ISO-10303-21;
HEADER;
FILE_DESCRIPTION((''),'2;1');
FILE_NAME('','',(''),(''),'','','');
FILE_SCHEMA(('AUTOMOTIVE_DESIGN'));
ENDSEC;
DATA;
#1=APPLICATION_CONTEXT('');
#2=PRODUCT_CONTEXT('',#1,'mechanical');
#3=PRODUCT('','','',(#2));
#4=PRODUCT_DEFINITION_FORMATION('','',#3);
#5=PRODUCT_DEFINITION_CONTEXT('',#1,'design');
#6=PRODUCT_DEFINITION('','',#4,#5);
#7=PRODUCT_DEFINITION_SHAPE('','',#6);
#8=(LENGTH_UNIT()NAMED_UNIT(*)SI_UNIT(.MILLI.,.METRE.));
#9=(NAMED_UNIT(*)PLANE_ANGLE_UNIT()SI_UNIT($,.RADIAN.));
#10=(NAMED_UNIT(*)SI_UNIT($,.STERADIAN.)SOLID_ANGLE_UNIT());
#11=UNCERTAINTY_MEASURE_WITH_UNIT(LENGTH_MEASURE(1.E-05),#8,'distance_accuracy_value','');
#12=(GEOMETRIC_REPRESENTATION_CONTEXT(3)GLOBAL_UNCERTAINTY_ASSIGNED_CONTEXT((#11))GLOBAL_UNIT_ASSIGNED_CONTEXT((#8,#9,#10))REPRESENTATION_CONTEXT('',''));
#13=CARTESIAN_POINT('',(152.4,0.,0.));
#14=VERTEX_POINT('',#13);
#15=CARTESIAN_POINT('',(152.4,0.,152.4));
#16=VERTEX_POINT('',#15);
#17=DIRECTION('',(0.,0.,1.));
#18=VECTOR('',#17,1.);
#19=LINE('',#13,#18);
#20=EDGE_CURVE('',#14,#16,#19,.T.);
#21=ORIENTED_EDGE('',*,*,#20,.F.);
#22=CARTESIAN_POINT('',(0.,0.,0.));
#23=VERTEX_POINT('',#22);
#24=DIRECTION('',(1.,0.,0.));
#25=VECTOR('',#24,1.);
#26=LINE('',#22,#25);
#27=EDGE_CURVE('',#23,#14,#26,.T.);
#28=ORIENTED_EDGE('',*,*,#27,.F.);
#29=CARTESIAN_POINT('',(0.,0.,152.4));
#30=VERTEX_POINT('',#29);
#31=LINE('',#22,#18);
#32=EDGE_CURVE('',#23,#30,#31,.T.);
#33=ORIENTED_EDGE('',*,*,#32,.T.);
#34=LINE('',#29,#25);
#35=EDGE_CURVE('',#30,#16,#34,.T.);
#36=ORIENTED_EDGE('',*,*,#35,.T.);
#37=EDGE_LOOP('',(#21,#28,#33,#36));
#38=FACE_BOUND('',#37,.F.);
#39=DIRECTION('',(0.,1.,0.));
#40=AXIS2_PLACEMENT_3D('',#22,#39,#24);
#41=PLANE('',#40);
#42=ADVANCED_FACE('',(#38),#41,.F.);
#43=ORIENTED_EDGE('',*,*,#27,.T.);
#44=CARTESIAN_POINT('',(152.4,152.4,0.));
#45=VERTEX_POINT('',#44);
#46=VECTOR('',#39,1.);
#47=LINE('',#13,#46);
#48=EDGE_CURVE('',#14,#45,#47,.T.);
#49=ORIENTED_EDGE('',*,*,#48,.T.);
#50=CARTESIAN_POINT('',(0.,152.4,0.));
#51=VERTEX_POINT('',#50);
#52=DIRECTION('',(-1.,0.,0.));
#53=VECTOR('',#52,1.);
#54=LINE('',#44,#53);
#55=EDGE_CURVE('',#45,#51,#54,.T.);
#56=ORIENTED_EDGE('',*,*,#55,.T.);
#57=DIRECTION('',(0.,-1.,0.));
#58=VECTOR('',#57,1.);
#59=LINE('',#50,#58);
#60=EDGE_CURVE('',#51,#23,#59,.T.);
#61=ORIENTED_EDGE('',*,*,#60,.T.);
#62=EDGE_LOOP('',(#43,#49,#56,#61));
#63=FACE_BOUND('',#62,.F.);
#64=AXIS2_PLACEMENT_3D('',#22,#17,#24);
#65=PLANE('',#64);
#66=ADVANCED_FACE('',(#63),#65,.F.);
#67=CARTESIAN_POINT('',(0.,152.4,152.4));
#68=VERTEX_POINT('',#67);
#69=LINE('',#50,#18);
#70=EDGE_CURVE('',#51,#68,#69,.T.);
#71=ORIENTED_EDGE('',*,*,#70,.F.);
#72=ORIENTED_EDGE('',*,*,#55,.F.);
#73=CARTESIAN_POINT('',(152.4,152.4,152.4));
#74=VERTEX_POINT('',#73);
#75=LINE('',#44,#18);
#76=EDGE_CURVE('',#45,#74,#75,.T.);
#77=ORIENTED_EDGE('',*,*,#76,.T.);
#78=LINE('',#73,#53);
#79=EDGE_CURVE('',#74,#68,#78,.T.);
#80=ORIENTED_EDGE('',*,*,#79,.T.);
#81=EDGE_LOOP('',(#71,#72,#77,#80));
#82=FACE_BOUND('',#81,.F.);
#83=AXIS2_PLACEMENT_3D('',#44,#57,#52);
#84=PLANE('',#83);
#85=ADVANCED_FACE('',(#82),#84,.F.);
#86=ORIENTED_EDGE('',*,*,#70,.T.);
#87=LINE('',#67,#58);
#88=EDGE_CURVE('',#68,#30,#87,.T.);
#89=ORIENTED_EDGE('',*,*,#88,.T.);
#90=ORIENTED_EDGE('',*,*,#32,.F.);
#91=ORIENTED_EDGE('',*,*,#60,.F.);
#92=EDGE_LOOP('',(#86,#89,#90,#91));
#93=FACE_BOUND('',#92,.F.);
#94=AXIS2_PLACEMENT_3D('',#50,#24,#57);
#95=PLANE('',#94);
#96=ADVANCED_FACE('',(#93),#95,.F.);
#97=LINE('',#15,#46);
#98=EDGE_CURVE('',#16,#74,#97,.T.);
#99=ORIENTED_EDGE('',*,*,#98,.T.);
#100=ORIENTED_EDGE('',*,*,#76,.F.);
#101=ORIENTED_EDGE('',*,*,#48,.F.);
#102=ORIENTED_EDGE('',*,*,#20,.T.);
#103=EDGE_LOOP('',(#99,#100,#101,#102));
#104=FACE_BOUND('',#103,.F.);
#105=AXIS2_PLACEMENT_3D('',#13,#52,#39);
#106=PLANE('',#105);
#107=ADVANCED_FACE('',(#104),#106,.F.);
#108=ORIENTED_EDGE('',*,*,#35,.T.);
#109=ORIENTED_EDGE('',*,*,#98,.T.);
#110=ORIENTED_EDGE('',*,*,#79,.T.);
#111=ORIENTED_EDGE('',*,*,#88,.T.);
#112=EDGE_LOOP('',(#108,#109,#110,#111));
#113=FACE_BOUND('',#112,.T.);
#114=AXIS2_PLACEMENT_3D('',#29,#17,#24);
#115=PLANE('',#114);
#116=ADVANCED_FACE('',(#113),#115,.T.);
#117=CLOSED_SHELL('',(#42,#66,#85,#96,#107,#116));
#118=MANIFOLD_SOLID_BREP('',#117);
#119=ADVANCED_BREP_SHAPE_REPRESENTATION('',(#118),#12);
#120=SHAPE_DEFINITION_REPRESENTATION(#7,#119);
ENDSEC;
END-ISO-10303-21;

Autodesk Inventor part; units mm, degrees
ref_plane "YZ Plane" through (0, 0, 0) normal (1, 0, 0) x (0, 1, 0)
ref_plane "XZ Plane" through (0, 0, 0) normal (0, 1, 0) x (-1, 0, 0)
ref_plane "XY Plane" through (0, 0, 0) normal (0, 0, 1) x (1, 0, 0)
sketch "Sketch1" plane through (0, 0, 0) normal (0, 0, 1) x (1, 0, 0)
  line L0 (0, 0) -> (152.4, 0)
  line L1 (152.4, 0) -> (152.4, 152.4)
  line L2 (152.4, 152.4) -> (0, 152.4)
  line L3 (0, 152.4) -> (0, 0)
  dimension "d0" = 152.4
  dimension "d1" = 152.4
extrude "Extrusion1" add sketch "Sketch1" along normal blind 152.4
properties part number "Glyph6x6x6"
